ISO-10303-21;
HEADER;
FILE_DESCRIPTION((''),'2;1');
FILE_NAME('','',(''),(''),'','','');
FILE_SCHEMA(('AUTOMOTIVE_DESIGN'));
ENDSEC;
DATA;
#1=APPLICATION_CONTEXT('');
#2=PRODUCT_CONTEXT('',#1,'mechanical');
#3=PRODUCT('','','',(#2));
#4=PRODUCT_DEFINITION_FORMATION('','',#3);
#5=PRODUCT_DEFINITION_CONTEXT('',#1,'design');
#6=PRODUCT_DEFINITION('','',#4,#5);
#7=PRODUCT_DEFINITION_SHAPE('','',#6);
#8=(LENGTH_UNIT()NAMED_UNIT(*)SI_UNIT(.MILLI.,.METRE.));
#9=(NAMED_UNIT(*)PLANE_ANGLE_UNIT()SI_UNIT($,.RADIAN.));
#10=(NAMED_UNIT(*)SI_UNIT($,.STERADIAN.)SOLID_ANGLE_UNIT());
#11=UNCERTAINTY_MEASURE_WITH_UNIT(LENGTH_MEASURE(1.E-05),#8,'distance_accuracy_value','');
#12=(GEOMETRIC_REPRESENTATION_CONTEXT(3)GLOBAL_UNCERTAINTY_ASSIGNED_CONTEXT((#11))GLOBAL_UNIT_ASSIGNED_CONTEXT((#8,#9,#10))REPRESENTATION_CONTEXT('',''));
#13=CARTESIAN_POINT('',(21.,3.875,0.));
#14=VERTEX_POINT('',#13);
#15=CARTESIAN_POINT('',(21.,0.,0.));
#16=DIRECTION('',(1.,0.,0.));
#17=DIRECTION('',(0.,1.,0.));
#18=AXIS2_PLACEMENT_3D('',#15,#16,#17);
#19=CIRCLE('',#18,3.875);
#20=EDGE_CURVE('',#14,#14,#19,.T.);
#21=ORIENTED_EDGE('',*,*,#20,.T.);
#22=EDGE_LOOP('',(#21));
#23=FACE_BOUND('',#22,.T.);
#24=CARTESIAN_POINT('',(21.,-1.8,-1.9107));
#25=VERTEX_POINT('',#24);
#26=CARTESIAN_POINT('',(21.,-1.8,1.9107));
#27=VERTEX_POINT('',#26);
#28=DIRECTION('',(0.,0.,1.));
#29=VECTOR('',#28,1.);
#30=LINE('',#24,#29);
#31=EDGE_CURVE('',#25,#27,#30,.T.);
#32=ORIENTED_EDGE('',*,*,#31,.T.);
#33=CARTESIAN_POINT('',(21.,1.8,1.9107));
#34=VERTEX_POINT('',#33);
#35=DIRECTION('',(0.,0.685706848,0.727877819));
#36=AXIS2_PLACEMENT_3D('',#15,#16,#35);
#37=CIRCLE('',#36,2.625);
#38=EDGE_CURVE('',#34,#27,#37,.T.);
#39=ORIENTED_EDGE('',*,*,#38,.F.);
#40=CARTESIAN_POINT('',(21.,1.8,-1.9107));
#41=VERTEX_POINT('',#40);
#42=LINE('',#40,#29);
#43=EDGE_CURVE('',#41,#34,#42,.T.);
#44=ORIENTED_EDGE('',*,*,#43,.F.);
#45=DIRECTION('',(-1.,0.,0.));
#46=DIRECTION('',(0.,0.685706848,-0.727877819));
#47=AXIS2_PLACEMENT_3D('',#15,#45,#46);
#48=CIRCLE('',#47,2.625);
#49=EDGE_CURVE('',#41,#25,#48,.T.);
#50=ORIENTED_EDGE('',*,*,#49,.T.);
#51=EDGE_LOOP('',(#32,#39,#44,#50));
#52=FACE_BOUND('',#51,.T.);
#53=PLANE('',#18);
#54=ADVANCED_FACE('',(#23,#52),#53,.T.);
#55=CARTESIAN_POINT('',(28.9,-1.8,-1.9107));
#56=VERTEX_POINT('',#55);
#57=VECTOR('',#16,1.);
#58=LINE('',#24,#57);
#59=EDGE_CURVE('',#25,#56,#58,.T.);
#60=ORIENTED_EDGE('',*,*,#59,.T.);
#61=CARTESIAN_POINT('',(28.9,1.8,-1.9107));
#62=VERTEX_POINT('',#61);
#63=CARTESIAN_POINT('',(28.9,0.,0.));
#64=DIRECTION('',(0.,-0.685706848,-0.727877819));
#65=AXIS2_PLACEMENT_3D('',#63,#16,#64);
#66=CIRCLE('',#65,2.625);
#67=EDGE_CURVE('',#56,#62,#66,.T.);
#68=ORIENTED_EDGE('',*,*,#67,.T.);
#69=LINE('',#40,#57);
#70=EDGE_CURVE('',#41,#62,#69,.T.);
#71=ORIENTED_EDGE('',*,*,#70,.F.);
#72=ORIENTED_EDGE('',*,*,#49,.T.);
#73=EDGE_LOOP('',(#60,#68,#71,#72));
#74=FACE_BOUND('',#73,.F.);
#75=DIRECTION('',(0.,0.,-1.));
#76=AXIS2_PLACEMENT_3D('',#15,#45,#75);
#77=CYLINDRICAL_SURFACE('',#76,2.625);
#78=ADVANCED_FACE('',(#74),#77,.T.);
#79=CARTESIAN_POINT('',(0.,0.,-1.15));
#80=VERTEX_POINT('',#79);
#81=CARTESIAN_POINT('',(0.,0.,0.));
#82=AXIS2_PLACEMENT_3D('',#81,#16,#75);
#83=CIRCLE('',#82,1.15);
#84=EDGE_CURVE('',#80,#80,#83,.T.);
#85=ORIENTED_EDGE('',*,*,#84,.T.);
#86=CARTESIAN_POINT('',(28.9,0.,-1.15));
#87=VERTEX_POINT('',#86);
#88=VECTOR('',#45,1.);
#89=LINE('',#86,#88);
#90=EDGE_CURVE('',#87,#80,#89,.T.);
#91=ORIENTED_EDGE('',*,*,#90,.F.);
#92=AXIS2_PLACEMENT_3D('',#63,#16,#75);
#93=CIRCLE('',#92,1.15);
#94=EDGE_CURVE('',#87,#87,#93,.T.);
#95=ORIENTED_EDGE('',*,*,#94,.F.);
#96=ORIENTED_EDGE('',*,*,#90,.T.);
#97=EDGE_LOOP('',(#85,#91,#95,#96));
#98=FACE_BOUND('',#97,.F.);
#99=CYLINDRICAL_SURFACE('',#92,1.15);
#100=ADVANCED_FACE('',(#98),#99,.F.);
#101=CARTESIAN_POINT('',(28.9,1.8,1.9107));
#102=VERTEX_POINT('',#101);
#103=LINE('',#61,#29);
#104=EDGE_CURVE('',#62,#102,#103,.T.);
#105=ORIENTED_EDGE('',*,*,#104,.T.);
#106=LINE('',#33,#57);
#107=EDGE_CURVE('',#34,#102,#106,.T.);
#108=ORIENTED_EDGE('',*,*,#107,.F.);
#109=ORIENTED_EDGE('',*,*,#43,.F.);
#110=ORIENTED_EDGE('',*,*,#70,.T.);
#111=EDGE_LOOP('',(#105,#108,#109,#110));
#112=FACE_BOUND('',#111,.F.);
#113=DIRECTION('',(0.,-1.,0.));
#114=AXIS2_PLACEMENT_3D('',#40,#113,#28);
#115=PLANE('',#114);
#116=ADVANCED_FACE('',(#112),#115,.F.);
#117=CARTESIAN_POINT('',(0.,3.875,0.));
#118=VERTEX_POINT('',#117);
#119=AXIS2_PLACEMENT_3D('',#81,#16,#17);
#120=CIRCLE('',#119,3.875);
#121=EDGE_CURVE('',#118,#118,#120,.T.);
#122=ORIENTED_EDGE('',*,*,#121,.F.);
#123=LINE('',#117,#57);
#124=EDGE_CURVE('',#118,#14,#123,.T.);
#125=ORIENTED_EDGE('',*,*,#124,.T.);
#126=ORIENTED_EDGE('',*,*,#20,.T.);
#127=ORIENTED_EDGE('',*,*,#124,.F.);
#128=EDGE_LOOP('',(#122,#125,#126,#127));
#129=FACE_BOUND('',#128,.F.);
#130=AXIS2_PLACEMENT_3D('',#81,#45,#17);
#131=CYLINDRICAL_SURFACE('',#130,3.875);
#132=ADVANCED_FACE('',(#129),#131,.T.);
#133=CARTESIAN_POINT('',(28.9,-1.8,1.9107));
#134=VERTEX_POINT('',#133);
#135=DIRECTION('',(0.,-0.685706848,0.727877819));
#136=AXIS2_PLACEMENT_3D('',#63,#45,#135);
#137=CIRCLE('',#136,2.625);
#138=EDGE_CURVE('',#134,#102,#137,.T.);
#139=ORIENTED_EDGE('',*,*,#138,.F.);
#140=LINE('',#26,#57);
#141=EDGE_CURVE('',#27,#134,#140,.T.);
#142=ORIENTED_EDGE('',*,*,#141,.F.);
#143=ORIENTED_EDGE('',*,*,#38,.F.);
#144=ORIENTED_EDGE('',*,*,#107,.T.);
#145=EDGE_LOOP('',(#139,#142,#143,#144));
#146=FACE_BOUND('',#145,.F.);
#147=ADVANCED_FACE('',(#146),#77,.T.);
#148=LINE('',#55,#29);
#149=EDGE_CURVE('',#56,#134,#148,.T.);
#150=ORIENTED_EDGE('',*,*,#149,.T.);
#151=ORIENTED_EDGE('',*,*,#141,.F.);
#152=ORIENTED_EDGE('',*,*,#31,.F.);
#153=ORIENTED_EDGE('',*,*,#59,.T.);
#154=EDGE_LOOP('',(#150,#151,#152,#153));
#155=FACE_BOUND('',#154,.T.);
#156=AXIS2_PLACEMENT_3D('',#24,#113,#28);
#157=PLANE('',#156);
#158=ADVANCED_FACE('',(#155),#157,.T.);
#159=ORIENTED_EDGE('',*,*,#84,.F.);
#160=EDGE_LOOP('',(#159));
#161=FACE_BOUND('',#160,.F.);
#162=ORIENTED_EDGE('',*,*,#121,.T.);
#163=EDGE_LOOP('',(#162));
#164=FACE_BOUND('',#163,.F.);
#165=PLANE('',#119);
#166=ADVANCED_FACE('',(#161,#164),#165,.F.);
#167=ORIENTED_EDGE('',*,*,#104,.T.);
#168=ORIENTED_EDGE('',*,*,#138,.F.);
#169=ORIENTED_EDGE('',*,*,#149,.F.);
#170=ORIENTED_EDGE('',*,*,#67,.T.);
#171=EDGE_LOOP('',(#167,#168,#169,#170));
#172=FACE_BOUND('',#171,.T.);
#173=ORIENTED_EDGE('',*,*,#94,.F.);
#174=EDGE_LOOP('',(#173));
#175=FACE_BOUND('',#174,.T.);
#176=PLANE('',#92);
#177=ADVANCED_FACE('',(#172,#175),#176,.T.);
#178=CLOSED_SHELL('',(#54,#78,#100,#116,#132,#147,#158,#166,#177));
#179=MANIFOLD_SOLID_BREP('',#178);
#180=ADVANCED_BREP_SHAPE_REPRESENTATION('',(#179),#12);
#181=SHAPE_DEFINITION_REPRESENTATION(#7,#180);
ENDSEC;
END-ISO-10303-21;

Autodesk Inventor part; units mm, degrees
ref_plane "YZ Plane" through (0, 0, 0) normal (1, 0, 0) x (0, 1, 0)
ref_plane "XZ Plane" through (0, 0, 0) normal (0, 1, 0) x (-1, 0, 0)
ref_plane "XY Plane" through (0, 0, 0) normal (0, 0, 1) x (1, 0, 0)
sketch "Sketch1" plane through (0, 0, 0) normal (1, 0, 0) x (0, 1, 0)
  circle A0 centre (0, 0) radius 3.875
  dimension "d0" = 7.75
extrude "Extrusion1" add sketch "Sketch1" along normal blind 21
sketch "Sketch2" plane through (21, 0, 0) normal (1, 0, 0) x (0, 0, -1)
  circle A0 centre (0, 0) radius 2.625
  line L0 (1.9107, -1.8) -> (-1.9107, -1.8)
  line L1 (-2.625, 0) -> (2.625, 0)
  line L2 (1.9107, 1.8) -> (-1.9107, 1.8)
  dimension "d3" = 5.25
  dimension "d4" = 1.8
extrude "Extrusion2" add sketch "Sketch2" along normal blind 7.9 contours L1 A0 L2 | A0 L0 L1
sketch "Sketch3" plane through (28.9, 0, 0) normal (1, 0, 0) x (0, 0, -1)
  circle A0 centre (0, 0) radius 1.15
  dimension "d7" = 2.3
extrude "Extrusion3" cut sketch "Sketch3" against normal through all
properties part number "shaft shooting_3DPrint"
